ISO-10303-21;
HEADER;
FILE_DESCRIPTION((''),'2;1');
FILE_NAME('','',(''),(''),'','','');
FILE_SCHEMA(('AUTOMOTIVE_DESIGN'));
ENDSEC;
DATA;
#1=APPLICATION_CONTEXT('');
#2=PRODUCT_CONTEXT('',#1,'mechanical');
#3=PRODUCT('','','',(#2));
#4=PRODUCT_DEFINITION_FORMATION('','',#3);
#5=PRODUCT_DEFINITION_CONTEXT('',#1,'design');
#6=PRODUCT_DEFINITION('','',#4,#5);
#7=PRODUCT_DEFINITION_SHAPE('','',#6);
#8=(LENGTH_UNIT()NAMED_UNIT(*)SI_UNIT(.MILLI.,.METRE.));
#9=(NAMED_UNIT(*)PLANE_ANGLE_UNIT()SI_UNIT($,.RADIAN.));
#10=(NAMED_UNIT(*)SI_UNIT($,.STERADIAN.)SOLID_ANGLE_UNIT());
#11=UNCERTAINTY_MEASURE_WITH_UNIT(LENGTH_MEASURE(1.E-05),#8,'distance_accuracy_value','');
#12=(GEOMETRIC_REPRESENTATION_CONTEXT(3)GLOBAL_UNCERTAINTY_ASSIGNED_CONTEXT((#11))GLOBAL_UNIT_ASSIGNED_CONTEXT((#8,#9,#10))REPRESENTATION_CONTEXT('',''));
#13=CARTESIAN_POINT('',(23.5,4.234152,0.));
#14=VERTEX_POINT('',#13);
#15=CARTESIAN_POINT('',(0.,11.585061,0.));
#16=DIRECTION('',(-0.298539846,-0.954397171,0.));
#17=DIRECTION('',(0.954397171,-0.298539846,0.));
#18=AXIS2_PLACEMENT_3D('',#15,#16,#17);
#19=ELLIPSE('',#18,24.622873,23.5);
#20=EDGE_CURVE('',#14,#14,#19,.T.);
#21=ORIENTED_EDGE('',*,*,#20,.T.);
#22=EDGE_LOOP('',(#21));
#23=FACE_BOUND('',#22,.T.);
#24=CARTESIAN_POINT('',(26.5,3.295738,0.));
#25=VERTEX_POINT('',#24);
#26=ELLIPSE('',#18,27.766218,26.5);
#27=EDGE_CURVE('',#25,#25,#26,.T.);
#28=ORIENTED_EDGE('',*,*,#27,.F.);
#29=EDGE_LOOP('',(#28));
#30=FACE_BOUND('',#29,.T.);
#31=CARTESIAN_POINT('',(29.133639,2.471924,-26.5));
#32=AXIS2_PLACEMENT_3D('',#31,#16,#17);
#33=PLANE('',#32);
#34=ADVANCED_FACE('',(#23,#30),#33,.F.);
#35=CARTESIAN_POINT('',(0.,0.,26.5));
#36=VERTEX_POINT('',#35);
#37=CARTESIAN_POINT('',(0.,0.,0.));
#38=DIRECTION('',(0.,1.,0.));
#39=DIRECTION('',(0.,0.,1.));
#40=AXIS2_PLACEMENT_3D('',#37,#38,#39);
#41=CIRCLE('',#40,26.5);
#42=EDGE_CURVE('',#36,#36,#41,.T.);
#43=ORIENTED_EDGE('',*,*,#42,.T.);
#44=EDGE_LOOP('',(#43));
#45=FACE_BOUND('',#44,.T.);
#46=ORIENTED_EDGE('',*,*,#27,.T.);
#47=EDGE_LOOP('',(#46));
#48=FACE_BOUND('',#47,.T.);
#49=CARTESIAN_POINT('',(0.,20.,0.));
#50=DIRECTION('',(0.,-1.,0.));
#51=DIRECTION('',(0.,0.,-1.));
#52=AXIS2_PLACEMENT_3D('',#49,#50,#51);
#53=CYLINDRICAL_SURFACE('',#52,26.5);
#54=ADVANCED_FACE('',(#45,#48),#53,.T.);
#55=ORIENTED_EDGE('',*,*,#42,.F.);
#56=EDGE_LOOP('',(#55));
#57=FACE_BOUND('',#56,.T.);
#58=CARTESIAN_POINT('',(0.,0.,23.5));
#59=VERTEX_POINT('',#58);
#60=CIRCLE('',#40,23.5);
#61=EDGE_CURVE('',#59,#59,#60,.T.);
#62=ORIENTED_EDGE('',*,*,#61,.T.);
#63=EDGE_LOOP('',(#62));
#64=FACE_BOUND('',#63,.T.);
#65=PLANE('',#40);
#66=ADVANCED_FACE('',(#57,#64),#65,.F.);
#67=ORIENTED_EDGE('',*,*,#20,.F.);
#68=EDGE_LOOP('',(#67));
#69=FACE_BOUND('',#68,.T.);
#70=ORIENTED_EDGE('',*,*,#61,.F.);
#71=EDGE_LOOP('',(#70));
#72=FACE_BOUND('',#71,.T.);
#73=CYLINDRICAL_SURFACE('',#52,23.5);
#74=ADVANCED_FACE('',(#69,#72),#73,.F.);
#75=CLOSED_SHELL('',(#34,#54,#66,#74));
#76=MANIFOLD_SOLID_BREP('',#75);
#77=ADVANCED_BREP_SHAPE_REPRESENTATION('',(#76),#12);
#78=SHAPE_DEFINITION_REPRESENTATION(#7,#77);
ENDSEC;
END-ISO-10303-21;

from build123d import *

# Parameters (mm, degrees)
SKETCH1_R               = 26.5
SKETCH1_R_2             = 23.5
BOSS_EXTRUDE1_DEPTH     = 20
CUT_EXTRUDE1_DEPTH      = 43.479406776
CUT_EXTRUDE1_DEPTH_BACK = 43.479406776


with BuildPart() as part:
    # Sketch1 → Boss-Extrude1 (new body)
    with BuildSketch(Plane(origin=(0, 0, 0), x_dir=(1, 0, 0), z_dir=(0, 1, 0))):
        with Locations(Location((0, 0, 0), (0, 0, 270))):
            Circle(SKETCH1_R)
        with Locations(Location((0, 0, 0), (0, 0, 270))):
            Circle(SKETCH1_R_2, mode=Mode.SUBTRACT)
    extrude(amount=BOSS_EXTRUDE1_DEPTH)

    # Sketch2 → Cut-Extrude1 (cut, two sides: drawn at the far end of the back side and taken through both)
    with BuildSketch(Plane.XY.offset(-CUT_EXTRUDE1_DEPTH_BACK)):
        Polygon((29.133638623, 2.471923918), (-28.960699765, 20.644101462), (-26.135561382, 26.70505569), (41.765015447, 26.171274273), align=None)
    extrude(amount=CUT_EXTRUDE1_DEPTH + CUT_EXTRUDE1_DEPTH_BACK, mode=Mode.SUBTRACT)


solid = part.part
